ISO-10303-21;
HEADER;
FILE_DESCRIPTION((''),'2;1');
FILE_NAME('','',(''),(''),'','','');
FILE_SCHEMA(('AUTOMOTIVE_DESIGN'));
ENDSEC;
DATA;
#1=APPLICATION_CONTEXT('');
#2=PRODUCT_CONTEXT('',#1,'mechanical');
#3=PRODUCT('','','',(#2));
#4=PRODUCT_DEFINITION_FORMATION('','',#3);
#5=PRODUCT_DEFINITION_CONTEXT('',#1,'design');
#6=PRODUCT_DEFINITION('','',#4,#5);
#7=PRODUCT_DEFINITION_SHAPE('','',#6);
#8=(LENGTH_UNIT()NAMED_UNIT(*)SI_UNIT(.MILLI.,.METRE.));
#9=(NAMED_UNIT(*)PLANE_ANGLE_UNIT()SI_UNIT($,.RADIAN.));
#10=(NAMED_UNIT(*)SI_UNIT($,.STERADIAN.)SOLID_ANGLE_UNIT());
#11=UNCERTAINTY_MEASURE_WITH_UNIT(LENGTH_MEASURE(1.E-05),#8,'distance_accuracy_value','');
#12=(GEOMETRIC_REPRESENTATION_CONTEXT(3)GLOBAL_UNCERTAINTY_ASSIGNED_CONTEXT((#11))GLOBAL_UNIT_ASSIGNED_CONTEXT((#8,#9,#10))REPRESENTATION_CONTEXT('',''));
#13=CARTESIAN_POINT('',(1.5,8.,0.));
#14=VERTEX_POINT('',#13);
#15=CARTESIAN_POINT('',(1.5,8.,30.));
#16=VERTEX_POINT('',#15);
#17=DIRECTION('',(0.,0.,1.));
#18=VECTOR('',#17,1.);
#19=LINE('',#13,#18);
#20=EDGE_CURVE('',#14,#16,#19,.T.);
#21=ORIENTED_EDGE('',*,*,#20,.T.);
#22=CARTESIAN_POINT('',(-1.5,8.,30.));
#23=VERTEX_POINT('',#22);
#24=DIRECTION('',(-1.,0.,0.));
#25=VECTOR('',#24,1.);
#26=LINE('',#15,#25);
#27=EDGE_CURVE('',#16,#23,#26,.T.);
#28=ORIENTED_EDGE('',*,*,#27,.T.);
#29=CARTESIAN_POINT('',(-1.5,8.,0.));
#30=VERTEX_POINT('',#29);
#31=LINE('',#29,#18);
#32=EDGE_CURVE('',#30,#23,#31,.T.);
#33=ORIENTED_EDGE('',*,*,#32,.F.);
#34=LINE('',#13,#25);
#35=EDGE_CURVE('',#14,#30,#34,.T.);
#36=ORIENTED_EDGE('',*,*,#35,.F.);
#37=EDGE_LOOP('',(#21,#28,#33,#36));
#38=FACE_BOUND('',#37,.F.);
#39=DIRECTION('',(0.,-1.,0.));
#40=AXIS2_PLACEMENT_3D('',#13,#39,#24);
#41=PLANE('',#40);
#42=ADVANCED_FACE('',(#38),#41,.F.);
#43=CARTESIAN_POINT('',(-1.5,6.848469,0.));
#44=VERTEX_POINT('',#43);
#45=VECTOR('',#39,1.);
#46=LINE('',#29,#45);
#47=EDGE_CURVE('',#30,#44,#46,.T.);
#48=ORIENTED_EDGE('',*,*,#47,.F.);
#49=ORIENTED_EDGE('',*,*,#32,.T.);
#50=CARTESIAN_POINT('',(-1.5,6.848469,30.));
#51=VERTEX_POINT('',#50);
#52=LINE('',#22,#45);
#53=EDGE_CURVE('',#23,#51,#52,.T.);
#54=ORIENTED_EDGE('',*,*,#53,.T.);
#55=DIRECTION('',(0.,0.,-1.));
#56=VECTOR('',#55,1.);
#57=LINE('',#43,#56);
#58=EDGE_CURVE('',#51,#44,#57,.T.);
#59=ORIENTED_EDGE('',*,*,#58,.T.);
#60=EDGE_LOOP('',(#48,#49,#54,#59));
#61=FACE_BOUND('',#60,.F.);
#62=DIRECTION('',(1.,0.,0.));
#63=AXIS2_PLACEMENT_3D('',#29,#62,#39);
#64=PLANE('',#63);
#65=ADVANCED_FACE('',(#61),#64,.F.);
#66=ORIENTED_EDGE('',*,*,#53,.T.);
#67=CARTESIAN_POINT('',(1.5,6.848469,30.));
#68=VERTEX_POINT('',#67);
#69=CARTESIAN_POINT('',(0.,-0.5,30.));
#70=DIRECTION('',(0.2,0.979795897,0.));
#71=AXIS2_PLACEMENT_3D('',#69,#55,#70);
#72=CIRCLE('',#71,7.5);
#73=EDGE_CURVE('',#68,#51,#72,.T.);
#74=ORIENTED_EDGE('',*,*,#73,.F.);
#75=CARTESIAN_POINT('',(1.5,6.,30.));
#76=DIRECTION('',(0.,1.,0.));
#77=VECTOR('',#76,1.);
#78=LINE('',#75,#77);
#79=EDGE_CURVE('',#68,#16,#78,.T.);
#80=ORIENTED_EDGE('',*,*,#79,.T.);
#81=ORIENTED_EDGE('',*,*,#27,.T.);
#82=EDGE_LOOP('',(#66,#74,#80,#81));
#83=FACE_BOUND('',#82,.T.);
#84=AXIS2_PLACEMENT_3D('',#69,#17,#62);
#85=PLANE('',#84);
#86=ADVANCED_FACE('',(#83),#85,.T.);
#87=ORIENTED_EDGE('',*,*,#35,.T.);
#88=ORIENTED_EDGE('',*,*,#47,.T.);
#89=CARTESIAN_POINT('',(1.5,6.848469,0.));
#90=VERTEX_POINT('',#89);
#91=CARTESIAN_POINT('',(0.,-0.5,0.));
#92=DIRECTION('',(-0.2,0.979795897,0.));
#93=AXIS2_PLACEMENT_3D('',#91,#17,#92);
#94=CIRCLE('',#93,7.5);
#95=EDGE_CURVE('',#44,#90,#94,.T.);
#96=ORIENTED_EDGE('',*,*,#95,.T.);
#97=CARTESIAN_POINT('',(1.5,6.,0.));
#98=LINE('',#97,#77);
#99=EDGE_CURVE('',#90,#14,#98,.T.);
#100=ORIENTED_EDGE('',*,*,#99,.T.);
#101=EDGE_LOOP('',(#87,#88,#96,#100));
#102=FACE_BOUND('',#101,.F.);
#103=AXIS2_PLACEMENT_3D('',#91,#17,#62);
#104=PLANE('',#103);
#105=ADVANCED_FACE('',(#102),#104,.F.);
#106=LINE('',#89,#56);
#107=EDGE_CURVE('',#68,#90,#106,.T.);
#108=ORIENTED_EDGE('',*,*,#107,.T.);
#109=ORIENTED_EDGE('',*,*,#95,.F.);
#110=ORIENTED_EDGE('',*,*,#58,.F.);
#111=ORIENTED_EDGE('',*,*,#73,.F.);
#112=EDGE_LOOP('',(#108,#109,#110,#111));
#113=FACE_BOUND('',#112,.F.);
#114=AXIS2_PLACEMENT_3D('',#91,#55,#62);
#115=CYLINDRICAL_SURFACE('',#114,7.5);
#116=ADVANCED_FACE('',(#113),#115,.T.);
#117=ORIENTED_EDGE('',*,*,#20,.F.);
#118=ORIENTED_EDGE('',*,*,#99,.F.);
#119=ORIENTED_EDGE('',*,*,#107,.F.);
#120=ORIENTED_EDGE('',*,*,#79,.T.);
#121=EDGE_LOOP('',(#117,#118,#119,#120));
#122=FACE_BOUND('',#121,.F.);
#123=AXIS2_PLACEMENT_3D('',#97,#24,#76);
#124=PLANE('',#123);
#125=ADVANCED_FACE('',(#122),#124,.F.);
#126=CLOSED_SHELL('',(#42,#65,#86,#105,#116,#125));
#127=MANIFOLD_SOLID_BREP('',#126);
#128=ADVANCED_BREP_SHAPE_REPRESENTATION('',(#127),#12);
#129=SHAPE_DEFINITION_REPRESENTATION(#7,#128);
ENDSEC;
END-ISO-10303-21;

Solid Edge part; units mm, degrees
sketch "Sketch1" plane through (0, 0, 0) normal (0, 0, 1) x (1, 0, 0)
  circle A0 centre (0, -0.5) radius 7.5
  line L0 (1.5, 8) -> (-1.5, 8)
  line L1 (-1.5, 8) -> (-1.5, 6)
  line L2 (-1.5, 6) -> (1.5, 6)
  line L3 (1.5, 6) -> (1.5, 8)
  dimension "D1" = 6.5
  dimension "D2" = 2
extrude "Protrusion1" add sketch "Sketch1" along normal blind 30
